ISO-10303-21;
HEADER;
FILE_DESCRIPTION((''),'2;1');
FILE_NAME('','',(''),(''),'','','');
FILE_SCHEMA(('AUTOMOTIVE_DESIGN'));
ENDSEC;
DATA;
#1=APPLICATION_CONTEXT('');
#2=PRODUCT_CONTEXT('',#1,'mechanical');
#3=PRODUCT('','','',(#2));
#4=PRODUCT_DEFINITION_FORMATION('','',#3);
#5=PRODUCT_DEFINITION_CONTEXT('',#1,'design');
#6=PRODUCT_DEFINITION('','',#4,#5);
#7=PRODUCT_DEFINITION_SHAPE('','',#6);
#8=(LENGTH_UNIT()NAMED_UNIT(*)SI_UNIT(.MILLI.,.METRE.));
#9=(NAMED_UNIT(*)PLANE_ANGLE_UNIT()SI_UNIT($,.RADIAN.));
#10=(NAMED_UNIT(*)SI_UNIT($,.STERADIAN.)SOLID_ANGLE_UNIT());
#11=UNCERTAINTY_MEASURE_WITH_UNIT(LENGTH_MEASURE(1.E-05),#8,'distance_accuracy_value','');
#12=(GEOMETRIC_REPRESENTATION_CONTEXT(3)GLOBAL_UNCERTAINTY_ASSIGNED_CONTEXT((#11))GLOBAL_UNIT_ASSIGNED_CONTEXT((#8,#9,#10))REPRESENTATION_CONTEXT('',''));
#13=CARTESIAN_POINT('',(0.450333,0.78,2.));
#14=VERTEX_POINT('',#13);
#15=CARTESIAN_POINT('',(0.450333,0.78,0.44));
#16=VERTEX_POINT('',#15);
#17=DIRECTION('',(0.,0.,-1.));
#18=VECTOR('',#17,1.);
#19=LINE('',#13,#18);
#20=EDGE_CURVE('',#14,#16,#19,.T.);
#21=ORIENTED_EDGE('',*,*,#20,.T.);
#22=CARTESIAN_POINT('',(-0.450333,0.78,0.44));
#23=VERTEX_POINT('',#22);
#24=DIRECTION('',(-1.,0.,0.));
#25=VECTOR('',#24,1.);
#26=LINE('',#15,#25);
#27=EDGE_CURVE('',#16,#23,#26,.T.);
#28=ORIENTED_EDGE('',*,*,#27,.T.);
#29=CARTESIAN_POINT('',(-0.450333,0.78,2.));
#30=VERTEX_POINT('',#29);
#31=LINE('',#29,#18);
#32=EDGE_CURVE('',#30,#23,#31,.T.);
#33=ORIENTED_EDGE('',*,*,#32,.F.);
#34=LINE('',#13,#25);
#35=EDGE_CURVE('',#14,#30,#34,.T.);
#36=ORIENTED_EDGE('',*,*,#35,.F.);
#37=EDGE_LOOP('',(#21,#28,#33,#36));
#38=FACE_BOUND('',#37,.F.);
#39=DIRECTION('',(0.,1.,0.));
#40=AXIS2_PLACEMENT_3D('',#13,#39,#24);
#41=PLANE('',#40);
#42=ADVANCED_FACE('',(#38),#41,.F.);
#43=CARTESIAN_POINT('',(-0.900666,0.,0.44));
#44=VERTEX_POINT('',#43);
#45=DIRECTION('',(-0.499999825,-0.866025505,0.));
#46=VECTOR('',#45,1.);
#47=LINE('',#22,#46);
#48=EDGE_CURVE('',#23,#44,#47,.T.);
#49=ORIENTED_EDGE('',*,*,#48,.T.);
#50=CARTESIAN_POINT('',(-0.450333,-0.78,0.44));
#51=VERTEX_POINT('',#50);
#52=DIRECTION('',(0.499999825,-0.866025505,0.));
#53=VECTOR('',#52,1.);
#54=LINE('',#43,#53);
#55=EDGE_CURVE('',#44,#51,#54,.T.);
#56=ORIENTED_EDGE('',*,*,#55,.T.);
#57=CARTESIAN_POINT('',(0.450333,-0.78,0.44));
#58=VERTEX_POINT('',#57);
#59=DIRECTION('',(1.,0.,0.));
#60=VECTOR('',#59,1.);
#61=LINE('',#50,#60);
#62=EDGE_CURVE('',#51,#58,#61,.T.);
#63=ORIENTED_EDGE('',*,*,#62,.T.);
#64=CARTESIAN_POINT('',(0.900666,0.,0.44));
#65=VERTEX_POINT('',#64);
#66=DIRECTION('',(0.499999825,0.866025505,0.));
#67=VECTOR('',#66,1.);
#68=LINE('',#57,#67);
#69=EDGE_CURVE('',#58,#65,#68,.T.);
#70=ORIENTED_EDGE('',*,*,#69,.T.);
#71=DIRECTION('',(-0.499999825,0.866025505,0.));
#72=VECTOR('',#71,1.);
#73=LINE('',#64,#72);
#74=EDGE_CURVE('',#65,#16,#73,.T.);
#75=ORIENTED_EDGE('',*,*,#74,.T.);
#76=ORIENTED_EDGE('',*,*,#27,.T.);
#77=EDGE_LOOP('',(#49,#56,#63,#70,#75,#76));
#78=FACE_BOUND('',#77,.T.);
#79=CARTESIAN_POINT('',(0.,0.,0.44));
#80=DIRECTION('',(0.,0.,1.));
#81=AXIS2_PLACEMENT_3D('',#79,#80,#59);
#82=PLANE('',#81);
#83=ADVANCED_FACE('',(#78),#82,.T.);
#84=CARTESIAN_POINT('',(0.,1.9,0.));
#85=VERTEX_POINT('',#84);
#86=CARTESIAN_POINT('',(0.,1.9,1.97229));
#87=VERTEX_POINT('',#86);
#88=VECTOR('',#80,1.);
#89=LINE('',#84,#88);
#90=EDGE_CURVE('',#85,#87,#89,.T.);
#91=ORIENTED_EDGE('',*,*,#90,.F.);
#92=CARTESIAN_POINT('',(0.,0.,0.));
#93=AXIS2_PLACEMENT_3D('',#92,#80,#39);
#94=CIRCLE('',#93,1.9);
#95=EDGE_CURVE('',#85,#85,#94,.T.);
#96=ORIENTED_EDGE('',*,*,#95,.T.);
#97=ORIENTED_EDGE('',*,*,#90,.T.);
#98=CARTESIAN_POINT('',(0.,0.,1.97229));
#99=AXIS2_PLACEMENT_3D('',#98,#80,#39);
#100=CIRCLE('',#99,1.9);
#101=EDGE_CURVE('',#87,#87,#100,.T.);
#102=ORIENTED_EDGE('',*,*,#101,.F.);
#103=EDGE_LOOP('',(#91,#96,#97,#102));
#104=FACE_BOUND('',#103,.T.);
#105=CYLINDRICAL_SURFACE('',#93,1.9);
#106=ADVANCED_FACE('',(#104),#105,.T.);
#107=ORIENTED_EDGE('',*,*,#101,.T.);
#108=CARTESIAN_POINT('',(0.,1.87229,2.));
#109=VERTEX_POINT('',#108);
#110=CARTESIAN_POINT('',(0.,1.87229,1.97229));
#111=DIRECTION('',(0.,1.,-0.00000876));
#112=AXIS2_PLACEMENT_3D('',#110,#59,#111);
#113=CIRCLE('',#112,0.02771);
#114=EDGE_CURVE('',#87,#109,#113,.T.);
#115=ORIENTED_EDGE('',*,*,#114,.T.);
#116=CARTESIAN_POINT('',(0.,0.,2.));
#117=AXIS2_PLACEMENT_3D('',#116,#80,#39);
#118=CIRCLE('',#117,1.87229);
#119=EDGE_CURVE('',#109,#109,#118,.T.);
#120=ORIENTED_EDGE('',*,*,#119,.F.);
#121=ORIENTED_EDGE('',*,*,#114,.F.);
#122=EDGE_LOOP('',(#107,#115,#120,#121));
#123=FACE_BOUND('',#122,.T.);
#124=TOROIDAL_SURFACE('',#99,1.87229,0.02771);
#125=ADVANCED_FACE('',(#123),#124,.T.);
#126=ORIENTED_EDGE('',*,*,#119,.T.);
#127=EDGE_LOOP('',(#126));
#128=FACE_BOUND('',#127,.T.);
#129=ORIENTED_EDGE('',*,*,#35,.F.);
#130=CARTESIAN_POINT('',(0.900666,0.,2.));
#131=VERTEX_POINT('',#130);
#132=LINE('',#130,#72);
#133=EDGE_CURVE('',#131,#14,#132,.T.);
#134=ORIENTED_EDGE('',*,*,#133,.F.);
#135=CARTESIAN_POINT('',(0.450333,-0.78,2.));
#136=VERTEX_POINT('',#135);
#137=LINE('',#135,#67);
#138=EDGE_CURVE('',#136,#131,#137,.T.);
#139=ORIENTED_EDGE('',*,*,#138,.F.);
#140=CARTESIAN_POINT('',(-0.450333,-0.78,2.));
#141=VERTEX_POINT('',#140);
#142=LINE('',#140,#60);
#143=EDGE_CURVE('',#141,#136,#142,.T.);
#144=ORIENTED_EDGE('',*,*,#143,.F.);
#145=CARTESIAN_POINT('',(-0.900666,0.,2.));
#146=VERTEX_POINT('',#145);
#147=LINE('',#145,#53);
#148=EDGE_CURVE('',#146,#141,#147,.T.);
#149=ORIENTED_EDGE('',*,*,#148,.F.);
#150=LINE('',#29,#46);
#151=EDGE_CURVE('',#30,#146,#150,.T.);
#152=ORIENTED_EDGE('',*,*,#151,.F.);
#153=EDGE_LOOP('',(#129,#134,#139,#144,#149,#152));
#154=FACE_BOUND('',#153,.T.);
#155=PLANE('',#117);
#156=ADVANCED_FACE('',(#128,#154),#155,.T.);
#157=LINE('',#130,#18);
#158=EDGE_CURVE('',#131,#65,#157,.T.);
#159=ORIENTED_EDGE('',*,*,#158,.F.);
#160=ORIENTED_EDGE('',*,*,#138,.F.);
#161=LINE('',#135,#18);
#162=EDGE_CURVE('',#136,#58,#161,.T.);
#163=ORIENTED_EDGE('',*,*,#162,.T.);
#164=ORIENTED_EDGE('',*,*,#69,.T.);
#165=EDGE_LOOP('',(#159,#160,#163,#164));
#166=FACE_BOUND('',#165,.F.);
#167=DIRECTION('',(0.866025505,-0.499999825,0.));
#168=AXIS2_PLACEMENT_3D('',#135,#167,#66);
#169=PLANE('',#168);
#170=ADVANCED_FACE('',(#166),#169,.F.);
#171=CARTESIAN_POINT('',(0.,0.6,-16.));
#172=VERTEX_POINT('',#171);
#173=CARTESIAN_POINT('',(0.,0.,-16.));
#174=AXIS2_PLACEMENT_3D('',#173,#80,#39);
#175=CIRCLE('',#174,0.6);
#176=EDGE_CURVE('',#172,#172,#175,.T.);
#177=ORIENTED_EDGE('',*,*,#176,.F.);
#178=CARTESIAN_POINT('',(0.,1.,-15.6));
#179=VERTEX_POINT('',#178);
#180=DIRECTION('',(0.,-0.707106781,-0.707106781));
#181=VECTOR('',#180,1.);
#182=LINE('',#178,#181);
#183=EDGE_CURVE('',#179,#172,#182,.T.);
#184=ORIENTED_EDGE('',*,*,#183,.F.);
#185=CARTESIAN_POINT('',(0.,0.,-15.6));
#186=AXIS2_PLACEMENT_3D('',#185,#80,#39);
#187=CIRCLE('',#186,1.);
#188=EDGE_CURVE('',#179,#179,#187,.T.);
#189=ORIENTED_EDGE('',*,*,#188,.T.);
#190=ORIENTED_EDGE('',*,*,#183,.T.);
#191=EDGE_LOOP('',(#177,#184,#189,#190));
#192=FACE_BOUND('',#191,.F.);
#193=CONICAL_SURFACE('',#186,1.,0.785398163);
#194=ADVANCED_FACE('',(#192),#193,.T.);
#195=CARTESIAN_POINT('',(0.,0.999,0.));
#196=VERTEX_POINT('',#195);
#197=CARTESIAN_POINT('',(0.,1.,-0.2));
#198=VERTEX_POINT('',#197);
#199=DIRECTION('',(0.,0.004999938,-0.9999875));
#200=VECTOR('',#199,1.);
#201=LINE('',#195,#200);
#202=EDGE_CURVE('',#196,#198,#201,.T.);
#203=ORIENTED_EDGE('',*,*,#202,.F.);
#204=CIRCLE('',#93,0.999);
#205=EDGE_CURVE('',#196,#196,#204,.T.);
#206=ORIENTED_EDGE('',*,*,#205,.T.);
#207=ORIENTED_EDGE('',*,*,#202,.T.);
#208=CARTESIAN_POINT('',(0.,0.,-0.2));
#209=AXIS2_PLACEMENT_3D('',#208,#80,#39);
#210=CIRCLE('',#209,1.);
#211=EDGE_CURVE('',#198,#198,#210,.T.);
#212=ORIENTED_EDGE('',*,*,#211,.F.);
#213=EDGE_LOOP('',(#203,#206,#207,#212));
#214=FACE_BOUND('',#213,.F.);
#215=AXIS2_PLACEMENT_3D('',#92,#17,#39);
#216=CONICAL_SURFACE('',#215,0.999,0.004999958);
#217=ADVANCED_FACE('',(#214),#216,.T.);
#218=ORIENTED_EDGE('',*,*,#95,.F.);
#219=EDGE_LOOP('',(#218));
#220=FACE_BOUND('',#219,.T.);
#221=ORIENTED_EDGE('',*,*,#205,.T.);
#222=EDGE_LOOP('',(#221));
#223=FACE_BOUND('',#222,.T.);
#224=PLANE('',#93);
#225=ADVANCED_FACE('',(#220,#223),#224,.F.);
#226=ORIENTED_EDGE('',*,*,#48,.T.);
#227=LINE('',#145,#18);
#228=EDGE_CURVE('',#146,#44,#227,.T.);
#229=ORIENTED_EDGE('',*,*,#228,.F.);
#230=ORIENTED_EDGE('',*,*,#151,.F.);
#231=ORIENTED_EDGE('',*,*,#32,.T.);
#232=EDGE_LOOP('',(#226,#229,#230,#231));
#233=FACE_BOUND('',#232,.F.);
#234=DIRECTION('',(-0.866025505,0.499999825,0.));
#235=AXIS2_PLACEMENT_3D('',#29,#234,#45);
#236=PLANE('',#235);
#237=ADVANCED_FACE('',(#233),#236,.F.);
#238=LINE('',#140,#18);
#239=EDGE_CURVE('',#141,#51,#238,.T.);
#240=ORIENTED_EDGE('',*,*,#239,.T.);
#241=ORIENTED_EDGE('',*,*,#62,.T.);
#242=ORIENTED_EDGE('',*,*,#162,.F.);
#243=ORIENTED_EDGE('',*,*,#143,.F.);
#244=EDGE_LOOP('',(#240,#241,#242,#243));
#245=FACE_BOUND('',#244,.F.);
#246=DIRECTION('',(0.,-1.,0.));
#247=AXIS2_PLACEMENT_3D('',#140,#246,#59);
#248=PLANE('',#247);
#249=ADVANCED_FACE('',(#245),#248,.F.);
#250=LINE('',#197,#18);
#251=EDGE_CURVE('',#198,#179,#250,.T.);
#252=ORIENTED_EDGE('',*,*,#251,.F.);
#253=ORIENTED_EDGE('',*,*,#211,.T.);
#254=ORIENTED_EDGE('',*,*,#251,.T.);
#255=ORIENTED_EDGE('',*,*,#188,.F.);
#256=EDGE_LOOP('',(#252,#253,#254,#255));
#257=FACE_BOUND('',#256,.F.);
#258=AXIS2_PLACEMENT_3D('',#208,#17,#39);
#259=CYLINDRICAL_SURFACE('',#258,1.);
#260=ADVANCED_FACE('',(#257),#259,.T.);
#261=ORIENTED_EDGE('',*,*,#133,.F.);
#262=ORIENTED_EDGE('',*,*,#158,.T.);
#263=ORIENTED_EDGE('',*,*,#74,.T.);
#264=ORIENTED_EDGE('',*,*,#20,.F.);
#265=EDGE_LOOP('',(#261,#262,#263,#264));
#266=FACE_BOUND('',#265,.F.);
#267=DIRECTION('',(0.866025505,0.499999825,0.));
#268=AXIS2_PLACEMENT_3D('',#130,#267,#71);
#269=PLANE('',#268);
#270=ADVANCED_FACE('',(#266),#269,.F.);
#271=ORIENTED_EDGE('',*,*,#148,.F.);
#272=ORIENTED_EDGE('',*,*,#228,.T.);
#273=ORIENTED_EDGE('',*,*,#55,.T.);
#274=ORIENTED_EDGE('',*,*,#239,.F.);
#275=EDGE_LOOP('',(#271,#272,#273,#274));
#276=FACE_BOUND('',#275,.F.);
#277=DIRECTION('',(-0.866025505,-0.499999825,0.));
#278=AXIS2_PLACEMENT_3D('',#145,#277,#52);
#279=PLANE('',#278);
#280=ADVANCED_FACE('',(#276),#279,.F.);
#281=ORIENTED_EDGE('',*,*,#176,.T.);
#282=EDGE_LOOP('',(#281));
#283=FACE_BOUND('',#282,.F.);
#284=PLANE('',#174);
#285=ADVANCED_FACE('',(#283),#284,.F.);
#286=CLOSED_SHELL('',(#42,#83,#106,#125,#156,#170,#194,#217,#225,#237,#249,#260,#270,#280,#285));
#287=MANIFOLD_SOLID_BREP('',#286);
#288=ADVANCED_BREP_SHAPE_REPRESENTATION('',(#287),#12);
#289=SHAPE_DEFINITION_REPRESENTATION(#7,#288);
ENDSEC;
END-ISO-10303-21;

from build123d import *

# Parameters (mm, degrees)
POCKET_DEPTH = 1.56


with BuildPart() as part:
    # Sketch → Revolve (revolve)
    with BuildSketch(Plane.YZ):
        with BuildLine():
            Line((0.999, 0), (1.9, 0))
            Line((1.9, 0), (1.9, 1.97229))
            ThreePointArc((1.9, 1.97229), (1.891884, 1.991884), (1.87229, 2))
            Line((1.87229, 2), (0, 2))
            Line((0, -16), (0, 2))
            Line((0.6, -16), (0, -16))
            Line((1, -15.6), (0.6, -16))
            Line((1, -0.2), (1, -15.6))
            Line((0.999, 0), (1, -0.2))
        make_face()
    revolve(axis=Axis((0, 0, 0), (0, 0, 1)))

    # Sketch001 → Pocket (cut)
    with BuildSketch(Plane.XY.offset(2)):
        Polygon((0.900666, 0), (0.450333, 0.78), (-0.450333, 0.78), (-0.900666, 0), (-0.450333, -0.78), (0.450333, -0.78), align=None)
    extrude(amount=-POCKET_DEPTH, mode=Mode.SUBTRACT)


solid = part.part
